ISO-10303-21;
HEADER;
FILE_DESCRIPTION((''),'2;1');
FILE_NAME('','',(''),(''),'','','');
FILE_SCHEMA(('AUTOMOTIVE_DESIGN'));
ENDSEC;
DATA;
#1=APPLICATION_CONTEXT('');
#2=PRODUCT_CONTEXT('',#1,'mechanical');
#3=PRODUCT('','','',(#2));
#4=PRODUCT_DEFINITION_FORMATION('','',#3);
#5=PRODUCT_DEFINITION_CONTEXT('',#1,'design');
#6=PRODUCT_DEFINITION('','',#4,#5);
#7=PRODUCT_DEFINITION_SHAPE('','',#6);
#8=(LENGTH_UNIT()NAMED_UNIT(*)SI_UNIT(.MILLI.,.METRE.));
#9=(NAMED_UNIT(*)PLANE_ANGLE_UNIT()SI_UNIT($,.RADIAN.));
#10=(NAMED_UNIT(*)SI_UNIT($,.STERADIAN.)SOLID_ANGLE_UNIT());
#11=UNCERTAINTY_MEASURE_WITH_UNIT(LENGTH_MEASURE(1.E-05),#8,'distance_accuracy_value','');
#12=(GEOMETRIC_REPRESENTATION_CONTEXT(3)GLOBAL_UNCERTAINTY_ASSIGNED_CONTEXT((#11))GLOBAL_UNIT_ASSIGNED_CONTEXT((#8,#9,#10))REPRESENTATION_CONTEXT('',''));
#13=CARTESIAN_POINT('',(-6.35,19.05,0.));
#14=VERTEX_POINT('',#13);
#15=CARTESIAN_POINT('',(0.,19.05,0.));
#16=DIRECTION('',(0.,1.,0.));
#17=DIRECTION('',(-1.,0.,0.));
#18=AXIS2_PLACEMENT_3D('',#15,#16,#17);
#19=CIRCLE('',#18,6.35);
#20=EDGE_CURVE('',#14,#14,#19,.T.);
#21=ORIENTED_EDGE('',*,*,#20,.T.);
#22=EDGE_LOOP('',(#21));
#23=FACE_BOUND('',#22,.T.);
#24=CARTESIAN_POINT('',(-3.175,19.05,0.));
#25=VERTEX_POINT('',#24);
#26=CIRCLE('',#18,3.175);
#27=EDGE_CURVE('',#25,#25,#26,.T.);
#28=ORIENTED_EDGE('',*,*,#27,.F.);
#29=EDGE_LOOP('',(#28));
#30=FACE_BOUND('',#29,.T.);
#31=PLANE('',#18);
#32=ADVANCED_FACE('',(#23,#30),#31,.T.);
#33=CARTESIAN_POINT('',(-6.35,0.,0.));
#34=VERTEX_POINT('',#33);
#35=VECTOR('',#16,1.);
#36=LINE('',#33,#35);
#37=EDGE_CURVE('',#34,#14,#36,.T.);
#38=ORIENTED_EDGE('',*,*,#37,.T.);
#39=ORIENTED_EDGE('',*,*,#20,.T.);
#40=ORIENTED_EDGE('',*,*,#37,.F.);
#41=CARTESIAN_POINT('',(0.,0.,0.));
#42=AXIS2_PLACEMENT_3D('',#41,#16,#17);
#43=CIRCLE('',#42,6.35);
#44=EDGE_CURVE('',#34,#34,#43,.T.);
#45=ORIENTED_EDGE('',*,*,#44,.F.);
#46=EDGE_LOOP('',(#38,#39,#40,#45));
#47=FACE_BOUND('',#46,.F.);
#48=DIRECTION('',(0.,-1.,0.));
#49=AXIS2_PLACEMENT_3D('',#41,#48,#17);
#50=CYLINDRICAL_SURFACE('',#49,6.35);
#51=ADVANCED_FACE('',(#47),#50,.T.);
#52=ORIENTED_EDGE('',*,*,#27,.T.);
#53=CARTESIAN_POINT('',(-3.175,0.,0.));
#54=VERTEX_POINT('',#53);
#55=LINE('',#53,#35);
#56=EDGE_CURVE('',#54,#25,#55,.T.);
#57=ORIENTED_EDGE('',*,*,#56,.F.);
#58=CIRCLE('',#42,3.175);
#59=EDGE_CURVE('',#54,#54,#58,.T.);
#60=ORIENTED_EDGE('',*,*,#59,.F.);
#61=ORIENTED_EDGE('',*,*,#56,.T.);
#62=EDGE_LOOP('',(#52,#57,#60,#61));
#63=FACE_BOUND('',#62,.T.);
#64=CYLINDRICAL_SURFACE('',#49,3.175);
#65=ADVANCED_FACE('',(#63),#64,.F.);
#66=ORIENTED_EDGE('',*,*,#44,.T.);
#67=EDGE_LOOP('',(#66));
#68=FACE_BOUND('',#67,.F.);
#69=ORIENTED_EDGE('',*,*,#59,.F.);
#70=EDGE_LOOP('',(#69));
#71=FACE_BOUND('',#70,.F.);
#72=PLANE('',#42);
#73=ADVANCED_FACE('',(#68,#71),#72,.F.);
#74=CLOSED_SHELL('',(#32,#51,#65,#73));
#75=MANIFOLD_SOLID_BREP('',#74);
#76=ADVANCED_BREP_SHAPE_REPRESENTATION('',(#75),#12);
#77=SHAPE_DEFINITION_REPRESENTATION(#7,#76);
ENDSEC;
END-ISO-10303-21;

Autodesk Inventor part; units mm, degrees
ref_plane "YZ Plane" through (0, 0, 0) normal (1, 0, 0) x (0, 1, 0)
ref_plane "XZ Plane" through (0, 0, 0) normal (0, 1, 0) x (-1, 0, 0)
ref_plane "XY Plane" through (0, 0, 0) normal (0, 0, 1) x (1, 0, 0)
sketch "Sketch1" plane through (0, 0, 0) normal (0, 1, 0) x (-1, 0, 0)
  circle A0 centre (0, 0) radius 3.175
  circle A1 centre (0, 0) radius 6.35
  dimension "d0" = 6.35
  dimension "d1" = 12.7
extrude "Extrusion1" add sketch "Sketch1" along normal blind 19.05
properties part number "StandoffsForMidplates"
